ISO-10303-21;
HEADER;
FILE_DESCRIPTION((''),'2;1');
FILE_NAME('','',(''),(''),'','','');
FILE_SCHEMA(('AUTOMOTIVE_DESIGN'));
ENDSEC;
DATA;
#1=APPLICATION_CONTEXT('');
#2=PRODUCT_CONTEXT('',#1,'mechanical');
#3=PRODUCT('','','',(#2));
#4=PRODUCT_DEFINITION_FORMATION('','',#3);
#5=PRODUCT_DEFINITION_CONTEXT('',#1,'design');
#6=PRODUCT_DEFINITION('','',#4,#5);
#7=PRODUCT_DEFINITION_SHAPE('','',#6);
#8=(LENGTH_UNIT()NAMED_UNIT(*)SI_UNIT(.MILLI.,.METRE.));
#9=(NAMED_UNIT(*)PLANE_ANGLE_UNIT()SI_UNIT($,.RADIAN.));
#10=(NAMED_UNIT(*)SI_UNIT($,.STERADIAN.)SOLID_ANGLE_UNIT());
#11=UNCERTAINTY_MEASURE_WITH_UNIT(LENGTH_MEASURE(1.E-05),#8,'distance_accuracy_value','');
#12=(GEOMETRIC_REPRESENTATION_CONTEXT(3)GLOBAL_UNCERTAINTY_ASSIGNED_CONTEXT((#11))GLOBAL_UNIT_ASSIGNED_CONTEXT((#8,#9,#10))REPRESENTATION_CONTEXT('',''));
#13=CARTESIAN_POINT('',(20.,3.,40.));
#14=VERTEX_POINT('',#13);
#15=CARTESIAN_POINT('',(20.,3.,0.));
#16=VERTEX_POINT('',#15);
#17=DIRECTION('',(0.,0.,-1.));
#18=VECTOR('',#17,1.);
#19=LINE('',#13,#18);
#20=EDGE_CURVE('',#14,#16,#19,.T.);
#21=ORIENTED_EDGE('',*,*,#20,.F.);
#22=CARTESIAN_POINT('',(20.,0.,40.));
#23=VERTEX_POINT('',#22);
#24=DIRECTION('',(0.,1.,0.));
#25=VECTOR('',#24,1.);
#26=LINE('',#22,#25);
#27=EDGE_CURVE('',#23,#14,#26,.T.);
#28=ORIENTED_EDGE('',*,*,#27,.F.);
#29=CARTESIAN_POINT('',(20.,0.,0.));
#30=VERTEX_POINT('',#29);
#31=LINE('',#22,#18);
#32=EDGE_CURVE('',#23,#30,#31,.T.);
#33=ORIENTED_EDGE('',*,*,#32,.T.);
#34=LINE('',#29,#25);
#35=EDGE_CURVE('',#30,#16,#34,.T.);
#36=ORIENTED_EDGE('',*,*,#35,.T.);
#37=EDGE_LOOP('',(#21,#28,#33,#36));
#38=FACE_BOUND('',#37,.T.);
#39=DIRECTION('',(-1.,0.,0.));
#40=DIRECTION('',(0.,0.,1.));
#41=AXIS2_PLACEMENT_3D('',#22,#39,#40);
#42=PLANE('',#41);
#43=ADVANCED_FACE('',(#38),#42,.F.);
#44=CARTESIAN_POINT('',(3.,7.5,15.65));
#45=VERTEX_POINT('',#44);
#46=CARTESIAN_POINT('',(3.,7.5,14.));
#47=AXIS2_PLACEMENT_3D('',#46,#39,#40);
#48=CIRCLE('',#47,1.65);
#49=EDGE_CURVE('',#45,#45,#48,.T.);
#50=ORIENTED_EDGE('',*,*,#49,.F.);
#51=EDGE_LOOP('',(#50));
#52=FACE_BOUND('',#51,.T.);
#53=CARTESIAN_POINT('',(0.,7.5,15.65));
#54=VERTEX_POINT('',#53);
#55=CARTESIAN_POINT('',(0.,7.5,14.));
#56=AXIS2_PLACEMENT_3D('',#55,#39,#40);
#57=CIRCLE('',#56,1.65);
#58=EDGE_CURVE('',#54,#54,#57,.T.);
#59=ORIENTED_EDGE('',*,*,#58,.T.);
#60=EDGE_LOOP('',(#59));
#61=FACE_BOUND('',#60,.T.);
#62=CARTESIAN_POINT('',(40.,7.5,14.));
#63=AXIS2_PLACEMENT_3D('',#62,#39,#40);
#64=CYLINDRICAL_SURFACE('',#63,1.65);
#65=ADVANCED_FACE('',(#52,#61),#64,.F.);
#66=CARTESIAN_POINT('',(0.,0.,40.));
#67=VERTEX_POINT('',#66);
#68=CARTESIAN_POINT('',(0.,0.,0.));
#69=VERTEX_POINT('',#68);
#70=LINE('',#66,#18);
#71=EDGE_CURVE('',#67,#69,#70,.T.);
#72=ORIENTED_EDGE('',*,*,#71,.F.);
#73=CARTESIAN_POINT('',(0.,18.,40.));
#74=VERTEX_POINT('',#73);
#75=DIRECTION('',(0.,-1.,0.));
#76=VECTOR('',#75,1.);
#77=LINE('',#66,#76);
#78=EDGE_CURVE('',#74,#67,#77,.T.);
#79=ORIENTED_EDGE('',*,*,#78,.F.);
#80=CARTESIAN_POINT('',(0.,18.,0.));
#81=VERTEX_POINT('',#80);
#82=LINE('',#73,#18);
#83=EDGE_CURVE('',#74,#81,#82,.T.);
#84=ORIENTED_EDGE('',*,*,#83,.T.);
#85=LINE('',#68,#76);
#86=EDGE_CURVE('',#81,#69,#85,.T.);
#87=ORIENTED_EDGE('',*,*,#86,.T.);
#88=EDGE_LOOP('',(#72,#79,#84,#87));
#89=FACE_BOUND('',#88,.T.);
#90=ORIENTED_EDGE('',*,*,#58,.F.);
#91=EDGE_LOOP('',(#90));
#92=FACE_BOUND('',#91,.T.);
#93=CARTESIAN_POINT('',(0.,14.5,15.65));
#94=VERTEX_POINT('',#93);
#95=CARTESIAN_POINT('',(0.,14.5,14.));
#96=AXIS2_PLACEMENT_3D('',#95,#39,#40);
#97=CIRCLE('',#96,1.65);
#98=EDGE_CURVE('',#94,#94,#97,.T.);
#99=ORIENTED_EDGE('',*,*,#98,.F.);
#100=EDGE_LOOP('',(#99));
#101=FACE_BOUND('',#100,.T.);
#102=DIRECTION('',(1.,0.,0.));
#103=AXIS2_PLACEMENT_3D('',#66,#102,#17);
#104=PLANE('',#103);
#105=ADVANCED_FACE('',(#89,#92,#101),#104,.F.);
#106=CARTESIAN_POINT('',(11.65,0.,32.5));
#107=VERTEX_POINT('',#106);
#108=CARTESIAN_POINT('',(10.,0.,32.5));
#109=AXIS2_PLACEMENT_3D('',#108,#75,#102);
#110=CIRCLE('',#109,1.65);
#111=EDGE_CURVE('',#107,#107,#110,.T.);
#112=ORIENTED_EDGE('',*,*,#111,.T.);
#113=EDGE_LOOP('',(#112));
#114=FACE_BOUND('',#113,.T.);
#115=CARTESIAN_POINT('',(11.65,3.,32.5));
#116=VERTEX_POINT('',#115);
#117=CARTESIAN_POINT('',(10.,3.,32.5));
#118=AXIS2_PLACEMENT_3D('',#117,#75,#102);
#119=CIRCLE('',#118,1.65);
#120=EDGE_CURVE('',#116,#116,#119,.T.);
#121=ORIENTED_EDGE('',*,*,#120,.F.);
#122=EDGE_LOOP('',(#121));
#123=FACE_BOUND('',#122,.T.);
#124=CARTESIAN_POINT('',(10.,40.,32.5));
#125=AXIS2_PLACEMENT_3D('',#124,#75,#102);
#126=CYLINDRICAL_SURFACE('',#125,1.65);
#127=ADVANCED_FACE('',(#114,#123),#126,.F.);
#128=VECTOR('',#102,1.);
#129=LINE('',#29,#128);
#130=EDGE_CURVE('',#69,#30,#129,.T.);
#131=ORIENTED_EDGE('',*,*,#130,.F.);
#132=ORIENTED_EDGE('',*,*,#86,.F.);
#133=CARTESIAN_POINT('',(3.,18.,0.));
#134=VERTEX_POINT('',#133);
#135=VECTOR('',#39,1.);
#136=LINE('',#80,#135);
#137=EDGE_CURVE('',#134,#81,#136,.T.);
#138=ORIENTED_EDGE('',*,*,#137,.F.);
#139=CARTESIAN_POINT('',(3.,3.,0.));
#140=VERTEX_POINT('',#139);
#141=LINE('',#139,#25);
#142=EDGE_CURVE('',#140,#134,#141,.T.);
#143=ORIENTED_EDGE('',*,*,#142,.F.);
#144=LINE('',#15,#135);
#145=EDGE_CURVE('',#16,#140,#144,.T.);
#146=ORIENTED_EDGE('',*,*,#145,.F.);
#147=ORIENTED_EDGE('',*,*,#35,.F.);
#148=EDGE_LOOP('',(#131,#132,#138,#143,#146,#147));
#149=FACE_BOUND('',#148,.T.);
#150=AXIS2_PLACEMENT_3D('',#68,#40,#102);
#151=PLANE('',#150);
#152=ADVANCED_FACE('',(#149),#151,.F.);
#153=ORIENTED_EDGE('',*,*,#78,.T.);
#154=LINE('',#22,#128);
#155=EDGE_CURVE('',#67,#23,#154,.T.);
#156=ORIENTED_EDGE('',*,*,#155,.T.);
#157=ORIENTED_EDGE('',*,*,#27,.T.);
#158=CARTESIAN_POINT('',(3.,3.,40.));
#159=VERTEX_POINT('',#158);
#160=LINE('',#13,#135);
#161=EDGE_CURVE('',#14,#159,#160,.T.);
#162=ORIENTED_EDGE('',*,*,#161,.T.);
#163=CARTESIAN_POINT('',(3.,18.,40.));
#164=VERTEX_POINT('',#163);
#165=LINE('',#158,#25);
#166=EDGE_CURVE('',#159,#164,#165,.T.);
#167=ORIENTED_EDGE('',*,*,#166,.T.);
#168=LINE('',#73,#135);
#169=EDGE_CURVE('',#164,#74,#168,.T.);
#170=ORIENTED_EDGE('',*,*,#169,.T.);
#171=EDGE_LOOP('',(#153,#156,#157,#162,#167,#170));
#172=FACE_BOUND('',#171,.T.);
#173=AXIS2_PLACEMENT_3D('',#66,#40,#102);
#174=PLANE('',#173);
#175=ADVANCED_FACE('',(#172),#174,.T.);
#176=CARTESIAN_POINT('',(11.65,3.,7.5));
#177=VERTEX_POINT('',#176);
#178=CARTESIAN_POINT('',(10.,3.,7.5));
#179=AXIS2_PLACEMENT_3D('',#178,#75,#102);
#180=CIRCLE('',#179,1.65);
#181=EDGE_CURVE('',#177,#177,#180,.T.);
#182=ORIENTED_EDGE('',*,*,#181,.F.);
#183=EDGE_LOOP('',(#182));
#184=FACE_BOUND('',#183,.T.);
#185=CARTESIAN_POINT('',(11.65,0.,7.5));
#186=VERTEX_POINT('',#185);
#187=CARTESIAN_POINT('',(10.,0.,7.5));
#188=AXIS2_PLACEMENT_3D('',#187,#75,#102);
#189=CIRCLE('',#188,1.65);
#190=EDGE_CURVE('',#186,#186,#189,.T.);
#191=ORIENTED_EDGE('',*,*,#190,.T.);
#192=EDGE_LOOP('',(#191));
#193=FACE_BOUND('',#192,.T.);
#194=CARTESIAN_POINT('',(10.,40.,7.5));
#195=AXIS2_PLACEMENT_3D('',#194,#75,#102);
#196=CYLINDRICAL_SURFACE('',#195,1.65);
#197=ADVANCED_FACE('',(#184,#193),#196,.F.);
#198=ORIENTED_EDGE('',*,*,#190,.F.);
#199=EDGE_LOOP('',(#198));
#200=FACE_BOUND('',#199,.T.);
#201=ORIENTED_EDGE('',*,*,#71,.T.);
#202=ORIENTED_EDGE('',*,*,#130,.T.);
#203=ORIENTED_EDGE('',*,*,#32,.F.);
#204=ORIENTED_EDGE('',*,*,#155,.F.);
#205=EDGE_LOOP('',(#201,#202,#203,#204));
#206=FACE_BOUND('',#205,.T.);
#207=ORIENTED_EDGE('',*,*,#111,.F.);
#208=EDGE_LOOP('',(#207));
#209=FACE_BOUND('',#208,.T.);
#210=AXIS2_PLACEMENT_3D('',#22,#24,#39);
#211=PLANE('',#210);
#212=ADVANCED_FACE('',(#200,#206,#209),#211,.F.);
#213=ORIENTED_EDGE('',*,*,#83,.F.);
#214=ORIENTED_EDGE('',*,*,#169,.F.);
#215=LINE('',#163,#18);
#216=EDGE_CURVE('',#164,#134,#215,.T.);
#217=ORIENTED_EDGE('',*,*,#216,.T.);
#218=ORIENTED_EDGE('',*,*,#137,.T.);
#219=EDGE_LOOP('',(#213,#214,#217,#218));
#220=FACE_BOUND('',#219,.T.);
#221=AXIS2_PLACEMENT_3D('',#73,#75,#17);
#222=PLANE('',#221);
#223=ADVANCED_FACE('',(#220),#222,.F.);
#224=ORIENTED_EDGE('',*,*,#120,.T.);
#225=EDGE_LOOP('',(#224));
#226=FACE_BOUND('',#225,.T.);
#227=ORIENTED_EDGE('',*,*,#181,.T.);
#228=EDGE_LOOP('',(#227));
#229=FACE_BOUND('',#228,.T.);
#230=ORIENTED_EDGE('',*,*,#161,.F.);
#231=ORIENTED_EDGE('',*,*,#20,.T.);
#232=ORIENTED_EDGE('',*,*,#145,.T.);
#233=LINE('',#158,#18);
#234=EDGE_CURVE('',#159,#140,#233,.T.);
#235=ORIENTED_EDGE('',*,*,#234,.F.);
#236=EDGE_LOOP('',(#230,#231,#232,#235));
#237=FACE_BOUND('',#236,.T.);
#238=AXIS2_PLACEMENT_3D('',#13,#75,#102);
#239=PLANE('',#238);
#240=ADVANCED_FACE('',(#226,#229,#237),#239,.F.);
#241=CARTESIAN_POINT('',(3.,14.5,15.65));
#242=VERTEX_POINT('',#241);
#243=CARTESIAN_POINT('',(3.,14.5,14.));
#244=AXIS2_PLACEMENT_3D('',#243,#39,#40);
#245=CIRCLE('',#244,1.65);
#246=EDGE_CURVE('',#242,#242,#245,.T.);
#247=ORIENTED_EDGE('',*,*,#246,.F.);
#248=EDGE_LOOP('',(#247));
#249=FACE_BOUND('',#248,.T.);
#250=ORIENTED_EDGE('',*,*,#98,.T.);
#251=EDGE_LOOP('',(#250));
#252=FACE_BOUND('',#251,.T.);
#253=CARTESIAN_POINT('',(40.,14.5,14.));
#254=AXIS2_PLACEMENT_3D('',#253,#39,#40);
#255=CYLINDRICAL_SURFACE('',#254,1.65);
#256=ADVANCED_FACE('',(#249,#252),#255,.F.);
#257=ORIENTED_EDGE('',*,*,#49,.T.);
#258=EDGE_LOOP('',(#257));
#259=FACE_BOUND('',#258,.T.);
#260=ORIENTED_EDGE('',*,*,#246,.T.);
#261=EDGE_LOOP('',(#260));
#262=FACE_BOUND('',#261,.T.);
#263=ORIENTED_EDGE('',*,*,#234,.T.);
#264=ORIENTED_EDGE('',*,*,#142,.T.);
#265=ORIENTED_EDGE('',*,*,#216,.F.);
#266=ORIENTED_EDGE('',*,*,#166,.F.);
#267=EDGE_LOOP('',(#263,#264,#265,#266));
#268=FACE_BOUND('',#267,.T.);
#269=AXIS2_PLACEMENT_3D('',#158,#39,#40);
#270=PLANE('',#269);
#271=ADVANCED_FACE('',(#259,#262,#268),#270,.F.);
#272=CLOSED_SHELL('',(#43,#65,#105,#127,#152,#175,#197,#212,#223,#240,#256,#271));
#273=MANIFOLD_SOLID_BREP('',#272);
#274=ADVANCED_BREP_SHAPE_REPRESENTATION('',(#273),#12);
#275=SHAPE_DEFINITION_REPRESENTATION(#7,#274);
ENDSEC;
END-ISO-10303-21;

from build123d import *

# Parameters (mm, degrees)
RESSALTO_EXTRUS_O1_DEPTH = 40
ESBO_O2_R                = 1.65
CORTE_EXTRUS_O1_DEPTH    = 40
ESBO_O3_R                = 1.65
CORTE_EXTRUS_O2_DEPTH    = 40


with BuildPart() as part:
    # Esboço1 → Ressalto-extrusão1 (new body)
    with BuildSketch(Plane.XY):
        Polygon((20, 0), (0, 0), (0, 18), (3, 18), (3, 3), (20, 3), align=None)
    extrude(amount=RESSALTO_EXTRUS_O1_DEPTH)

    # Esboço2 → Corte-extrusão1 (cut)
    with BuildSketch(Plane.XZ):
        with Locations((10, 7.5)):
            Circle(ESBO_O2_R)
        with Locations((10, 32.5)):
            Circle(ESBO_O2_R)
    extrude(amount=-CORTE_EXTRUS_O1_DEPTH, mode=Mode.SUBTRACT)

    # Esboço3 → Corte-extrusão2 (cut)
    with BuildSketch(Plane.ZY):
        with Locations((14, 7.5)):
            Circle(ESBO_O3_R)
        with Locations((14, 14.5)):
            Circle(ESBO_O3_R)
    extrude(amount=-CORTE_EXTRUS_O2_DEPTH, mode=Mode.SUBTRACT)


solid = part.part
